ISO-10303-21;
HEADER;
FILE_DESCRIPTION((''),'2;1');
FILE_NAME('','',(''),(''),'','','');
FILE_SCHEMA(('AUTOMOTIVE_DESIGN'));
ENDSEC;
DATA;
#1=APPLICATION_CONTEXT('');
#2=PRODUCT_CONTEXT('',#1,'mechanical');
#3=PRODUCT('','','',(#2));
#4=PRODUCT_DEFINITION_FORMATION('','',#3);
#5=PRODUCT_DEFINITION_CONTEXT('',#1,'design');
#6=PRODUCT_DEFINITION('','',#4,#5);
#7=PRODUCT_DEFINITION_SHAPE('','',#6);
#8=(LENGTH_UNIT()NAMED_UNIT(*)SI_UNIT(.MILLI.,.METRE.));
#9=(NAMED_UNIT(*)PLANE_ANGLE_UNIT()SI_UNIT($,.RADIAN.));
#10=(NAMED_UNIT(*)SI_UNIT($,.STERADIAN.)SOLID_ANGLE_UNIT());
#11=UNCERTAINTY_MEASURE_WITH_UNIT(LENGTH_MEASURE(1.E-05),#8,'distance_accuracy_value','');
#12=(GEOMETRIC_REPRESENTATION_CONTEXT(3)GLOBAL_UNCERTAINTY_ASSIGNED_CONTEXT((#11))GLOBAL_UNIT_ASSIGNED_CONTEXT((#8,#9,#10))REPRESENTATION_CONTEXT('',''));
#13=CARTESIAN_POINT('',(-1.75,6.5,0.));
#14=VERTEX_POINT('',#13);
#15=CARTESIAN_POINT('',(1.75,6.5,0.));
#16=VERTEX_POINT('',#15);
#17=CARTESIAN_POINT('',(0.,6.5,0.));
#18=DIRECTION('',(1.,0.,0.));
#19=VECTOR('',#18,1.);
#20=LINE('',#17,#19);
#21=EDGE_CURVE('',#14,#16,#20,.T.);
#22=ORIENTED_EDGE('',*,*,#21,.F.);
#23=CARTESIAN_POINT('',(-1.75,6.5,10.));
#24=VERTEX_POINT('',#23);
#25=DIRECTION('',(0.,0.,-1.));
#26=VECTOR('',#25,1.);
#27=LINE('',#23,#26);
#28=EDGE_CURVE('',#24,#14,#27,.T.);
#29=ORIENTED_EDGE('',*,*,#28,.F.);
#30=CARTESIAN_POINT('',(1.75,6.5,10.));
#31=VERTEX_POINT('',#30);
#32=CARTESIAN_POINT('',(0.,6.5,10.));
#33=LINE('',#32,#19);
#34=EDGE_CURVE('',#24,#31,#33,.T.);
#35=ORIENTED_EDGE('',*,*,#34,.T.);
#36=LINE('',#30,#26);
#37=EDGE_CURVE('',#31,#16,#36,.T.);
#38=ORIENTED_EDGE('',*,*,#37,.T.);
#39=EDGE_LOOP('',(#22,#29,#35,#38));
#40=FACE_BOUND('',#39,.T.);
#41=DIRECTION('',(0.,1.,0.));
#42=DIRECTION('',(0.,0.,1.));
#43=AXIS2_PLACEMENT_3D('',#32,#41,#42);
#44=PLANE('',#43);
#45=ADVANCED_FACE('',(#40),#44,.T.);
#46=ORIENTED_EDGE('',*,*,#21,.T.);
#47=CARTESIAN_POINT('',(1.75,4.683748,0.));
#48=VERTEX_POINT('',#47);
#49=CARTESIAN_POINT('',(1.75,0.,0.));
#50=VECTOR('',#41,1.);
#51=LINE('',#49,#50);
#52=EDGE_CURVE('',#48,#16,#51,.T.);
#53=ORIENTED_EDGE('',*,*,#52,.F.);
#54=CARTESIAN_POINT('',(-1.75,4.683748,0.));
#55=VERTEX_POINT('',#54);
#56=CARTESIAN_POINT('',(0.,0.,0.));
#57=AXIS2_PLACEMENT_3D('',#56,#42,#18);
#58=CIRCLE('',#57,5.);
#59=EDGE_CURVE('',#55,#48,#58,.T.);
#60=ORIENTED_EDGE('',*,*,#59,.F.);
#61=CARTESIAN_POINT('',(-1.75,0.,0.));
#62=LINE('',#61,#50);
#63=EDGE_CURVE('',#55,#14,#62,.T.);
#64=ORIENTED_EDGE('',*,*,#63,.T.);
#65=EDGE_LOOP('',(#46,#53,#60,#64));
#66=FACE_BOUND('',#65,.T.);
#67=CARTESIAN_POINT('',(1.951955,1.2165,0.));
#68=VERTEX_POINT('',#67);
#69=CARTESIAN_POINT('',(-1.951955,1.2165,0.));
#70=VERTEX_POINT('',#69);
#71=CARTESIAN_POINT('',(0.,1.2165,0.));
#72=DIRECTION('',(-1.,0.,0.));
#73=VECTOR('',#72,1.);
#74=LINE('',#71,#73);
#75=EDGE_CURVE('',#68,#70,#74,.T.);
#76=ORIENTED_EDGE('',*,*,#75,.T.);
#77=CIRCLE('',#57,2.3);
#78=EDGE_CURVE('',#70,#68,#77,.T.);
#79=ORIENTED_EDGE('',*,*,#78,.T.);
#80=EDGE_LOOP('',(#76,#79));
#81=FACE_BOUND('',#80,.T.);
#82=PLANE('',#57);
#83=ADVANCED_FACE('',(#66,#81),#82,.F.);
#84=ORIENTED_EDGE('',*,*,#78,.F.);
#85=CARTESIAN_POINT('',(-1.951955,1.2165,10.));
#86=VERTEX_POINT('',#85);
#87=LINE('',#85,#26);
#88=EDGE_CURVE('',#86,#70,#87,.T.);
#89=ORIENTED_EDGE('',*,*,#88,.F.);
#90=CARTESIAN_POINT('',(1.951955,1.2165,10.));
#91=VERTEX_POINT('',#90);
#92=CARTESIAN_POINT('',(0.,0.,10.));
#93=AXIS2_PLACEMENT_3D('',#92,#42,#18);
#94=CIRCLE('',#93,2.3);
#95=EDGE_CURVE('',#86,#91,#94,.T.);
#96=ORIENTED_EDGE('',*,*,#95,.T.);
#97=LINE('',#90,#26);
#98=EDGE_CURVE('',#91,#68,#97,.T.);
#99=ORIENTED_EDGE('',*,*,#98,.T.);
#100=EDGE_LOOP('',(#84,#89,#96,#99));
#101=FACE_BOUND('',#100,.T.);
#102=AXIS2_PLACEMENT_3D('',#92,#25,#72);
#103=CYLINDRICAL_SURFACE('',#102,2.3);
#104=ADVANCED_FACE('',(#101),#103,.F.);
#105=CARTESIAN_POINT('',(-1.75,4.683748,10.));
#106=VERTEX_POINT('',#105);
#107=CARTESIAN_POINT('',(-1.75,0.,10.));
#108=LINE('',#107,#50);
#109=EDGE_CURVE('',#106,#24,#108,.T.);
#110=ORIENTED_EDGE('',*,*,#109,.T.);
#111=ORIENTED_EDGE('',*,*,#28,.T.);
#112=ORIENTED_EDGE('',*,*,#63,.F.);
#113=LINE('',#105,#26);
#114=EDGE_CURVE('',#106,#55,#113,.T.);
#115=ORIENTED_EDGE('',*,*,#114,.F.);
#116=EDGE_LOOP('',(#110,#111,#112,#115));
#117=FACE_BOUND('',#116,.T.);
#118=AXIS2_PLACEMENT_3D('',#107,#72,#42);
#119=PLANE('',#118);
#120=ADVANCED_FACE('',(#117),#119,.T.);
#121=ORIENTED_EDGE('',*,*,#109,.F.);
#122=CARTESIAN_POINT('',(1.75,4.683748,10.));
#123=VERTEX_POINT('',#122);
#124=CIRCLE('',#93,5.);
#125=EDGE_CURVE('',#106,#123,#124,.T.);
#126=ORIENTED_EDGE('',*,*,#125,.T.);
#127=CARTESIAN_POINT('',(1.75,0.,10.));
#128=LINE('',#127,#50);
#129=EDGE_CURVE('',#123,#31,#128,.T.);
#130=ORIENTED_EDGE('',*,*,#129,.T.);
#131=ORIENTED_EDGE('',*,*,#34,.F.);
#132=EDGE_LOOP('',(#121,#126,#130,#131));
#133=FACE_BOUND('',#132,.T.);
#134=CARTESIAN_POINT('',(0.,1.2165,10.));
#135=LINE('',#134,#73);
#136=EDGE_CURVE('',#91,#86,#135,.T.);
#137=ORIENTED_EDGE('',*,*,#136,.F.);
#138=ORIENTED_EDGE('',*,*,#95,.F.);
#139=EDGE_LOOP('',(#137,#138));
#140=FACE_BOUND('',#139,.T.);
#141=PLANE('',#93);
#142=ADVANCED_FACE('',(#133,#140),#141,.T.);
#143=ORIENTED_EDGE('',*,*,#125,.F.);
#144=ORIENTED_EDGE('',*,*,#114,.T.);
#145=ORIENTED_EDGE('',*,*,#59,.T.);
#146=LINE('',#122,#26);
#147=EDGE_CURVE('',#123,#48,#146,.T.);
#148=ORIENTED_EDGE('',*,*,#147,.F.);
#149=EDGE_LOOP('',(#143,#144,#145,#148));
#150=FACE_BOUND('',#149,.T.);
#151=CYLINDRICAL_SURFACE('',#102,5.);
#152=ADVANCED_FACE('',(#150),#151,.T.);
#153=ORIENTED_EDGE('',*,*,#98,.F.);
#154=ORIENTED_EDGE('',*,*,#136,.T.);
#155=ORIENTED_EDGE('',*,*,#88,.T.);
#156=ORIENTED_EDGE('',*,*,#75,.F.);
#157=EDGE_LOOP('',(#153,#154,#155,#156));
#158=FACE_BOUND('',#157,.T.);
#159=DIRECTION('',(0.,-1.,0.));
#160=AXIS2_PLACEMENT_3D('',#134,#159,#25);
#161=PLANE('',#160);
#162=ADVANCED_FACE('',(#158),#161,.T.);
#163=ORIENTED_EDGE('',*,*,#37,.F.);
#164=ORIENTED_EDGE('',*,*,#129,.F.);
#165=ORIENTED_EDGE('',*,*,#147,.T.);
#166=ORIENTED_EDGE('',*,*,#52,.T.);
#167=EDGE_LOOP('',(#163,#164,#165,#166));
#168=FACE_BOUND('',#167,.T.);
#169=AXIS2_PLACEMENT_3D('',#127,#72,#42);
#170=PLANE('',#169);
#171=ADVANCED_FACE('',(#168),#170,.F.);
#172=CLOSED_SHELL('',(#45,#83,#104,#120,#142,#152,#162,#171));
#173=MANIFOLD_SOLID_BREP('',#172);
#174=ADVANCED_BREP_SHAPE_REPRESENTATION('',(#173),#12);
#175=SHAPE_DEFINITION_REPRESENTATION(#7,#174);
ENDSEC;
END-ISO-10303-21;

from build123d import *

# Parameters (mm, degrees)
BOSS_EXTRUDE1_DEPTH = 10


with BuildPart() as part:
    # Sketch2 → Boss-Extrude1 (new body)
    with BuildSketch(Plane.XY):
        with BuildLine():
            ThreePointArc((0, 5), (0.889173073, 4.920301947), (1.75, 4.683748499))
            Line((1.75, 4.683748499), (1.75, 6.5))
            Line((1.75, 6.5), (0, 6.5))
            Line((0, 6.5), (0, 5))
        make_face()
        with BuildLine():
            ThreePointArc((-1.75, 4.683748499), (-0.889173073, 4.920301947), (0, 5))
            Line((0, 5), (0, 6.5))
            Line((0, 6.5), (-1.75, 6.5))
            Line((-1.75, 6.5), (-1.75, 4.683748499))
        make_face()
        with BuildLine():
            ThreePointArc((1.75, 1.492481156), (1.856113866, 1.358249358), (1.95195478, 1.216500118))
            ThreePointArc((1.95195478, 1.216500118), (2.211277458, 0.632654726), (2.3, 0))
            ThreePointArc((2.3, 0), (-0.632654726, -2.211277458), (-1.95195478, 1.216500118))
            ThreePointArc((-1.95195478, 1.216500118), (-1.856113866, 1.358249358), (-1.75, 1.492481156))
            Line((-1.75, 1.492481156), (-1.75, 4.683748499))
            ThreePointArc((-1.75, 4.683748499), (-2.850438563, -4.107919181), (5, 0))
            ThreePointArc((5, 0), (4.107919181, 2.850438563), (1.75, 4.683748499))
            Line((1.75, 4.683748499), (1.75, 1.492481156))
        make_face()
        with BuildLine():
            ThreePointArc((-1.75, 1.492481156), (-0.963663152, 2.08838534), (0, 2.3))
            Line((0, 2.3), (0, 5))
            ThreePointArc((0, 5), (-0.889173073, 4.920301947), (-1.75, 4.683748499))
            Line((-1.75, 4.683748499), (-1.75, 1.492481156))
        make_face()
        with BuildLine():
            ThreePointArc((0, 2.3), (0.963663152, 2.08838534), (1.75, 1.492481156))
            Line((1.75, 1.492481156), (1.75, 4.683748499))
            ThreePointArc((1.75, 4.683748499), (0.889173073, 4.920301947), (0, 5))
            Line((0, 5), (0, 2.3))
        make_face()
        with BuildLine():
            Line((0, 1.216500118), (1.75, 1.216500118))
            Line((1.75, 1.216500118), (1.75, 1.492481156))
            ThreePointArc((1.75, 1.492481156), (0.963663152, 2.08838534), (0, 2.3))
            Line((0, 2.3), (0, 1.216500118))
        make_face()
        with BuildLine():
            Line((-1.75, 1.216500118), (0, 1.216500118))
            Line((0, 1.216500118), (0, 2.3))
            ThreePointArc((0, 2.3), (-0.963663152, 2.08838534), (-1.75, 1.492481156))
            Line((-1.75, 1.492481156), (-1.75, 1.216500118))
        make_face()
        with BuildLine():
            ThreePointArc((-1.75, 1.492481156), (-1.856113866, 1.358249358), (-1.95195478, 1.216500118))
            Line((-1.95195478, 1.216500118), (-1.75, 1.216500118))
            Line((-1.75, 1.216500118), (-1.75, 1.492481156))
        make_face()
        with BuildLine():
            Line((1.75, 1.216500118), (1.95195478, 1.216500118))
            ThreePointArc((1.95195478, 1.216500118), (1.856113866, 1.358249358), (1.75, 1.492481156))
            Line((1.75, 1.492481156), (1.75, 1.216500118))
        make_face()
    extrude(amount=BOSS_EXTRUDE1_DEPTH)


solid = part.part
